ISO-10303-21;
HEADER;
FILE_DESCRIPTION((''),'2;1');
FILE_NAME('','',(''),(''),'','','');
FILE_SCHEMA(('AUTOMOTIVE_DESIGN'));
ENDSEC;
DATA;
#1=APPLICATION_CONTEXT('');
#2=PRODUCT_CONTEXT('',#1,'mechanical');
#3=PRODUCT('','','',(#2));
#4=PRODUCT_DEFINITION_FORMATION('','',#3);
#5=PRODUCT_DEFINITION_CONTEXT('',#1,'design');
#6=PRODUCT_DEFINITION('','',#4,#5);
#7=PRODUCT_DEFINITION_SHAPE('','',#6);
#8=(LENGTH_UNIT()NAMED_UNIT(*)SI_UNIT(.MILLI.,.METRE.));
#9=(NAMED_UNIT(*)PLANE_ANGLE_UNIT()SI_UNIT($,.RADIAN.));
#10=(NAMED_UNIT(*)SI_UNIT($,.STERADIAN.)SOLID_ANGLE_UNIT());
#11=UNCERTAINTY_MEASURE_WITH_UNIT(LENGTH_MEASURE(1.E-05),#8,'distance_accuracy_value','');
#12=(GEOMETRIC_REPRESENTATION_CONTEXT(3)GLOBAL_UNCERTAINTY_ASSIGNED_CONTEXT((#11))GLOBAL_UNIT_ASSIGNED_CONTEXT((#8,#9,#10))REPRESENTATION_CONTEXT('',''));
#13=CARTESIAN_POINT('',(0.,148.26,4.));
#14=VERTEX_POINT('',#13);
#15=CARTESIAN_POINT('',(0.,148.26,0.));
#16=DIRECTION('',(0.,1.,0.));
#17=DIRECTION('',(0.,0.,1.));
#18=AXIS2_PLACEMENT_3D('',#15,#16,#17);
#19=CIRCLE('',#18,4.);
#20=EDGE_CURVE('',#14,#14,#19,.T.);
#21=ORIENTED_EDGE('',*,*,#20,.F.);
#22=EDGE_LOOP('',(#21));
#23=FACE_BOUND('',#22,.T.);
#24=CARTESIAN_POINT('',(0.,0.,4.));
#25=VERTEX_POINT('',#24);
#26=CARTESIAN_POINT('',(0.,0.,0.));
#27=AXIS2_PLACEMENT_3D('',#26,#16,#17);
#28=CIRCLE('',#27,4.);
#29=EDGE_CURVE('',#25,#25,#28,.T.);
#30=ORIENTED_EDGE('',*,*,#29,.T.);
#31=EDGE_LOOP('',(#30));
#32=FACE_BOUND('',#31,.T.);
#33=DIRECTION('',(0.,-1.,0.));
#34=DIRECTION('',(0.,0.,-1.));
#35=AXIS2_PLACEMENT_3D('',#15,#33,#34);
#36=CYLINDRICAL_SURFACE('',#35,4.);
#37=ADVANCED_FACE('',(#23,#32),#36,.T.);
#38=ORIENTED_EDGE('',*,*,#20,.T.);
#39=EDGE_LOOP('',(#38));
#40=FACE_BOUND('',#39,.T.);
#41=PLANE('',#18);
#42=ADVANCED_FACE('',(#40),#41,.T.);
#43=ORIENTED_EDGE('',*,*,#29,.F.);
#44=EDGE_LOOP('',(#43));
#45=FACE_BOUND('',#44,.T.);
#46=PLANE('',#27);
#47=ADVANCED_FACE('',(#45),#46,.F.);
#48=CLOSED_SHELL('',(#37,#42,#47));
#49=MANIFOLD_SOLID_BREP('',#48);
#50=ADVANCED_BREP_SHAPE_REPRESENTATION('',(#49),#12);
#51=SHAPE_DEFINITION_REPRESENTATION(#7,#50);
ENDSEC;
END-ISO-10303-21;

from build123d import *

# Parameters (mm, degrees)
CROQUIS1_R              = 4
SALIENTE_EXTRUIR1_DEPTH = 148.26


with BuildPart() as part:
    # Croquis1 → Saliente-Extruir1 (new body)
    with BuildSketch(Plane(origin=(0, 0, 0), x_dir=(1, 0, 0), z_dir=(0, 1, 0))):
        Circle(CROQUIS1_R)
    extrude(amount=SALIENTE_EXTRUIR1_DEPTH)


solid = part.part
